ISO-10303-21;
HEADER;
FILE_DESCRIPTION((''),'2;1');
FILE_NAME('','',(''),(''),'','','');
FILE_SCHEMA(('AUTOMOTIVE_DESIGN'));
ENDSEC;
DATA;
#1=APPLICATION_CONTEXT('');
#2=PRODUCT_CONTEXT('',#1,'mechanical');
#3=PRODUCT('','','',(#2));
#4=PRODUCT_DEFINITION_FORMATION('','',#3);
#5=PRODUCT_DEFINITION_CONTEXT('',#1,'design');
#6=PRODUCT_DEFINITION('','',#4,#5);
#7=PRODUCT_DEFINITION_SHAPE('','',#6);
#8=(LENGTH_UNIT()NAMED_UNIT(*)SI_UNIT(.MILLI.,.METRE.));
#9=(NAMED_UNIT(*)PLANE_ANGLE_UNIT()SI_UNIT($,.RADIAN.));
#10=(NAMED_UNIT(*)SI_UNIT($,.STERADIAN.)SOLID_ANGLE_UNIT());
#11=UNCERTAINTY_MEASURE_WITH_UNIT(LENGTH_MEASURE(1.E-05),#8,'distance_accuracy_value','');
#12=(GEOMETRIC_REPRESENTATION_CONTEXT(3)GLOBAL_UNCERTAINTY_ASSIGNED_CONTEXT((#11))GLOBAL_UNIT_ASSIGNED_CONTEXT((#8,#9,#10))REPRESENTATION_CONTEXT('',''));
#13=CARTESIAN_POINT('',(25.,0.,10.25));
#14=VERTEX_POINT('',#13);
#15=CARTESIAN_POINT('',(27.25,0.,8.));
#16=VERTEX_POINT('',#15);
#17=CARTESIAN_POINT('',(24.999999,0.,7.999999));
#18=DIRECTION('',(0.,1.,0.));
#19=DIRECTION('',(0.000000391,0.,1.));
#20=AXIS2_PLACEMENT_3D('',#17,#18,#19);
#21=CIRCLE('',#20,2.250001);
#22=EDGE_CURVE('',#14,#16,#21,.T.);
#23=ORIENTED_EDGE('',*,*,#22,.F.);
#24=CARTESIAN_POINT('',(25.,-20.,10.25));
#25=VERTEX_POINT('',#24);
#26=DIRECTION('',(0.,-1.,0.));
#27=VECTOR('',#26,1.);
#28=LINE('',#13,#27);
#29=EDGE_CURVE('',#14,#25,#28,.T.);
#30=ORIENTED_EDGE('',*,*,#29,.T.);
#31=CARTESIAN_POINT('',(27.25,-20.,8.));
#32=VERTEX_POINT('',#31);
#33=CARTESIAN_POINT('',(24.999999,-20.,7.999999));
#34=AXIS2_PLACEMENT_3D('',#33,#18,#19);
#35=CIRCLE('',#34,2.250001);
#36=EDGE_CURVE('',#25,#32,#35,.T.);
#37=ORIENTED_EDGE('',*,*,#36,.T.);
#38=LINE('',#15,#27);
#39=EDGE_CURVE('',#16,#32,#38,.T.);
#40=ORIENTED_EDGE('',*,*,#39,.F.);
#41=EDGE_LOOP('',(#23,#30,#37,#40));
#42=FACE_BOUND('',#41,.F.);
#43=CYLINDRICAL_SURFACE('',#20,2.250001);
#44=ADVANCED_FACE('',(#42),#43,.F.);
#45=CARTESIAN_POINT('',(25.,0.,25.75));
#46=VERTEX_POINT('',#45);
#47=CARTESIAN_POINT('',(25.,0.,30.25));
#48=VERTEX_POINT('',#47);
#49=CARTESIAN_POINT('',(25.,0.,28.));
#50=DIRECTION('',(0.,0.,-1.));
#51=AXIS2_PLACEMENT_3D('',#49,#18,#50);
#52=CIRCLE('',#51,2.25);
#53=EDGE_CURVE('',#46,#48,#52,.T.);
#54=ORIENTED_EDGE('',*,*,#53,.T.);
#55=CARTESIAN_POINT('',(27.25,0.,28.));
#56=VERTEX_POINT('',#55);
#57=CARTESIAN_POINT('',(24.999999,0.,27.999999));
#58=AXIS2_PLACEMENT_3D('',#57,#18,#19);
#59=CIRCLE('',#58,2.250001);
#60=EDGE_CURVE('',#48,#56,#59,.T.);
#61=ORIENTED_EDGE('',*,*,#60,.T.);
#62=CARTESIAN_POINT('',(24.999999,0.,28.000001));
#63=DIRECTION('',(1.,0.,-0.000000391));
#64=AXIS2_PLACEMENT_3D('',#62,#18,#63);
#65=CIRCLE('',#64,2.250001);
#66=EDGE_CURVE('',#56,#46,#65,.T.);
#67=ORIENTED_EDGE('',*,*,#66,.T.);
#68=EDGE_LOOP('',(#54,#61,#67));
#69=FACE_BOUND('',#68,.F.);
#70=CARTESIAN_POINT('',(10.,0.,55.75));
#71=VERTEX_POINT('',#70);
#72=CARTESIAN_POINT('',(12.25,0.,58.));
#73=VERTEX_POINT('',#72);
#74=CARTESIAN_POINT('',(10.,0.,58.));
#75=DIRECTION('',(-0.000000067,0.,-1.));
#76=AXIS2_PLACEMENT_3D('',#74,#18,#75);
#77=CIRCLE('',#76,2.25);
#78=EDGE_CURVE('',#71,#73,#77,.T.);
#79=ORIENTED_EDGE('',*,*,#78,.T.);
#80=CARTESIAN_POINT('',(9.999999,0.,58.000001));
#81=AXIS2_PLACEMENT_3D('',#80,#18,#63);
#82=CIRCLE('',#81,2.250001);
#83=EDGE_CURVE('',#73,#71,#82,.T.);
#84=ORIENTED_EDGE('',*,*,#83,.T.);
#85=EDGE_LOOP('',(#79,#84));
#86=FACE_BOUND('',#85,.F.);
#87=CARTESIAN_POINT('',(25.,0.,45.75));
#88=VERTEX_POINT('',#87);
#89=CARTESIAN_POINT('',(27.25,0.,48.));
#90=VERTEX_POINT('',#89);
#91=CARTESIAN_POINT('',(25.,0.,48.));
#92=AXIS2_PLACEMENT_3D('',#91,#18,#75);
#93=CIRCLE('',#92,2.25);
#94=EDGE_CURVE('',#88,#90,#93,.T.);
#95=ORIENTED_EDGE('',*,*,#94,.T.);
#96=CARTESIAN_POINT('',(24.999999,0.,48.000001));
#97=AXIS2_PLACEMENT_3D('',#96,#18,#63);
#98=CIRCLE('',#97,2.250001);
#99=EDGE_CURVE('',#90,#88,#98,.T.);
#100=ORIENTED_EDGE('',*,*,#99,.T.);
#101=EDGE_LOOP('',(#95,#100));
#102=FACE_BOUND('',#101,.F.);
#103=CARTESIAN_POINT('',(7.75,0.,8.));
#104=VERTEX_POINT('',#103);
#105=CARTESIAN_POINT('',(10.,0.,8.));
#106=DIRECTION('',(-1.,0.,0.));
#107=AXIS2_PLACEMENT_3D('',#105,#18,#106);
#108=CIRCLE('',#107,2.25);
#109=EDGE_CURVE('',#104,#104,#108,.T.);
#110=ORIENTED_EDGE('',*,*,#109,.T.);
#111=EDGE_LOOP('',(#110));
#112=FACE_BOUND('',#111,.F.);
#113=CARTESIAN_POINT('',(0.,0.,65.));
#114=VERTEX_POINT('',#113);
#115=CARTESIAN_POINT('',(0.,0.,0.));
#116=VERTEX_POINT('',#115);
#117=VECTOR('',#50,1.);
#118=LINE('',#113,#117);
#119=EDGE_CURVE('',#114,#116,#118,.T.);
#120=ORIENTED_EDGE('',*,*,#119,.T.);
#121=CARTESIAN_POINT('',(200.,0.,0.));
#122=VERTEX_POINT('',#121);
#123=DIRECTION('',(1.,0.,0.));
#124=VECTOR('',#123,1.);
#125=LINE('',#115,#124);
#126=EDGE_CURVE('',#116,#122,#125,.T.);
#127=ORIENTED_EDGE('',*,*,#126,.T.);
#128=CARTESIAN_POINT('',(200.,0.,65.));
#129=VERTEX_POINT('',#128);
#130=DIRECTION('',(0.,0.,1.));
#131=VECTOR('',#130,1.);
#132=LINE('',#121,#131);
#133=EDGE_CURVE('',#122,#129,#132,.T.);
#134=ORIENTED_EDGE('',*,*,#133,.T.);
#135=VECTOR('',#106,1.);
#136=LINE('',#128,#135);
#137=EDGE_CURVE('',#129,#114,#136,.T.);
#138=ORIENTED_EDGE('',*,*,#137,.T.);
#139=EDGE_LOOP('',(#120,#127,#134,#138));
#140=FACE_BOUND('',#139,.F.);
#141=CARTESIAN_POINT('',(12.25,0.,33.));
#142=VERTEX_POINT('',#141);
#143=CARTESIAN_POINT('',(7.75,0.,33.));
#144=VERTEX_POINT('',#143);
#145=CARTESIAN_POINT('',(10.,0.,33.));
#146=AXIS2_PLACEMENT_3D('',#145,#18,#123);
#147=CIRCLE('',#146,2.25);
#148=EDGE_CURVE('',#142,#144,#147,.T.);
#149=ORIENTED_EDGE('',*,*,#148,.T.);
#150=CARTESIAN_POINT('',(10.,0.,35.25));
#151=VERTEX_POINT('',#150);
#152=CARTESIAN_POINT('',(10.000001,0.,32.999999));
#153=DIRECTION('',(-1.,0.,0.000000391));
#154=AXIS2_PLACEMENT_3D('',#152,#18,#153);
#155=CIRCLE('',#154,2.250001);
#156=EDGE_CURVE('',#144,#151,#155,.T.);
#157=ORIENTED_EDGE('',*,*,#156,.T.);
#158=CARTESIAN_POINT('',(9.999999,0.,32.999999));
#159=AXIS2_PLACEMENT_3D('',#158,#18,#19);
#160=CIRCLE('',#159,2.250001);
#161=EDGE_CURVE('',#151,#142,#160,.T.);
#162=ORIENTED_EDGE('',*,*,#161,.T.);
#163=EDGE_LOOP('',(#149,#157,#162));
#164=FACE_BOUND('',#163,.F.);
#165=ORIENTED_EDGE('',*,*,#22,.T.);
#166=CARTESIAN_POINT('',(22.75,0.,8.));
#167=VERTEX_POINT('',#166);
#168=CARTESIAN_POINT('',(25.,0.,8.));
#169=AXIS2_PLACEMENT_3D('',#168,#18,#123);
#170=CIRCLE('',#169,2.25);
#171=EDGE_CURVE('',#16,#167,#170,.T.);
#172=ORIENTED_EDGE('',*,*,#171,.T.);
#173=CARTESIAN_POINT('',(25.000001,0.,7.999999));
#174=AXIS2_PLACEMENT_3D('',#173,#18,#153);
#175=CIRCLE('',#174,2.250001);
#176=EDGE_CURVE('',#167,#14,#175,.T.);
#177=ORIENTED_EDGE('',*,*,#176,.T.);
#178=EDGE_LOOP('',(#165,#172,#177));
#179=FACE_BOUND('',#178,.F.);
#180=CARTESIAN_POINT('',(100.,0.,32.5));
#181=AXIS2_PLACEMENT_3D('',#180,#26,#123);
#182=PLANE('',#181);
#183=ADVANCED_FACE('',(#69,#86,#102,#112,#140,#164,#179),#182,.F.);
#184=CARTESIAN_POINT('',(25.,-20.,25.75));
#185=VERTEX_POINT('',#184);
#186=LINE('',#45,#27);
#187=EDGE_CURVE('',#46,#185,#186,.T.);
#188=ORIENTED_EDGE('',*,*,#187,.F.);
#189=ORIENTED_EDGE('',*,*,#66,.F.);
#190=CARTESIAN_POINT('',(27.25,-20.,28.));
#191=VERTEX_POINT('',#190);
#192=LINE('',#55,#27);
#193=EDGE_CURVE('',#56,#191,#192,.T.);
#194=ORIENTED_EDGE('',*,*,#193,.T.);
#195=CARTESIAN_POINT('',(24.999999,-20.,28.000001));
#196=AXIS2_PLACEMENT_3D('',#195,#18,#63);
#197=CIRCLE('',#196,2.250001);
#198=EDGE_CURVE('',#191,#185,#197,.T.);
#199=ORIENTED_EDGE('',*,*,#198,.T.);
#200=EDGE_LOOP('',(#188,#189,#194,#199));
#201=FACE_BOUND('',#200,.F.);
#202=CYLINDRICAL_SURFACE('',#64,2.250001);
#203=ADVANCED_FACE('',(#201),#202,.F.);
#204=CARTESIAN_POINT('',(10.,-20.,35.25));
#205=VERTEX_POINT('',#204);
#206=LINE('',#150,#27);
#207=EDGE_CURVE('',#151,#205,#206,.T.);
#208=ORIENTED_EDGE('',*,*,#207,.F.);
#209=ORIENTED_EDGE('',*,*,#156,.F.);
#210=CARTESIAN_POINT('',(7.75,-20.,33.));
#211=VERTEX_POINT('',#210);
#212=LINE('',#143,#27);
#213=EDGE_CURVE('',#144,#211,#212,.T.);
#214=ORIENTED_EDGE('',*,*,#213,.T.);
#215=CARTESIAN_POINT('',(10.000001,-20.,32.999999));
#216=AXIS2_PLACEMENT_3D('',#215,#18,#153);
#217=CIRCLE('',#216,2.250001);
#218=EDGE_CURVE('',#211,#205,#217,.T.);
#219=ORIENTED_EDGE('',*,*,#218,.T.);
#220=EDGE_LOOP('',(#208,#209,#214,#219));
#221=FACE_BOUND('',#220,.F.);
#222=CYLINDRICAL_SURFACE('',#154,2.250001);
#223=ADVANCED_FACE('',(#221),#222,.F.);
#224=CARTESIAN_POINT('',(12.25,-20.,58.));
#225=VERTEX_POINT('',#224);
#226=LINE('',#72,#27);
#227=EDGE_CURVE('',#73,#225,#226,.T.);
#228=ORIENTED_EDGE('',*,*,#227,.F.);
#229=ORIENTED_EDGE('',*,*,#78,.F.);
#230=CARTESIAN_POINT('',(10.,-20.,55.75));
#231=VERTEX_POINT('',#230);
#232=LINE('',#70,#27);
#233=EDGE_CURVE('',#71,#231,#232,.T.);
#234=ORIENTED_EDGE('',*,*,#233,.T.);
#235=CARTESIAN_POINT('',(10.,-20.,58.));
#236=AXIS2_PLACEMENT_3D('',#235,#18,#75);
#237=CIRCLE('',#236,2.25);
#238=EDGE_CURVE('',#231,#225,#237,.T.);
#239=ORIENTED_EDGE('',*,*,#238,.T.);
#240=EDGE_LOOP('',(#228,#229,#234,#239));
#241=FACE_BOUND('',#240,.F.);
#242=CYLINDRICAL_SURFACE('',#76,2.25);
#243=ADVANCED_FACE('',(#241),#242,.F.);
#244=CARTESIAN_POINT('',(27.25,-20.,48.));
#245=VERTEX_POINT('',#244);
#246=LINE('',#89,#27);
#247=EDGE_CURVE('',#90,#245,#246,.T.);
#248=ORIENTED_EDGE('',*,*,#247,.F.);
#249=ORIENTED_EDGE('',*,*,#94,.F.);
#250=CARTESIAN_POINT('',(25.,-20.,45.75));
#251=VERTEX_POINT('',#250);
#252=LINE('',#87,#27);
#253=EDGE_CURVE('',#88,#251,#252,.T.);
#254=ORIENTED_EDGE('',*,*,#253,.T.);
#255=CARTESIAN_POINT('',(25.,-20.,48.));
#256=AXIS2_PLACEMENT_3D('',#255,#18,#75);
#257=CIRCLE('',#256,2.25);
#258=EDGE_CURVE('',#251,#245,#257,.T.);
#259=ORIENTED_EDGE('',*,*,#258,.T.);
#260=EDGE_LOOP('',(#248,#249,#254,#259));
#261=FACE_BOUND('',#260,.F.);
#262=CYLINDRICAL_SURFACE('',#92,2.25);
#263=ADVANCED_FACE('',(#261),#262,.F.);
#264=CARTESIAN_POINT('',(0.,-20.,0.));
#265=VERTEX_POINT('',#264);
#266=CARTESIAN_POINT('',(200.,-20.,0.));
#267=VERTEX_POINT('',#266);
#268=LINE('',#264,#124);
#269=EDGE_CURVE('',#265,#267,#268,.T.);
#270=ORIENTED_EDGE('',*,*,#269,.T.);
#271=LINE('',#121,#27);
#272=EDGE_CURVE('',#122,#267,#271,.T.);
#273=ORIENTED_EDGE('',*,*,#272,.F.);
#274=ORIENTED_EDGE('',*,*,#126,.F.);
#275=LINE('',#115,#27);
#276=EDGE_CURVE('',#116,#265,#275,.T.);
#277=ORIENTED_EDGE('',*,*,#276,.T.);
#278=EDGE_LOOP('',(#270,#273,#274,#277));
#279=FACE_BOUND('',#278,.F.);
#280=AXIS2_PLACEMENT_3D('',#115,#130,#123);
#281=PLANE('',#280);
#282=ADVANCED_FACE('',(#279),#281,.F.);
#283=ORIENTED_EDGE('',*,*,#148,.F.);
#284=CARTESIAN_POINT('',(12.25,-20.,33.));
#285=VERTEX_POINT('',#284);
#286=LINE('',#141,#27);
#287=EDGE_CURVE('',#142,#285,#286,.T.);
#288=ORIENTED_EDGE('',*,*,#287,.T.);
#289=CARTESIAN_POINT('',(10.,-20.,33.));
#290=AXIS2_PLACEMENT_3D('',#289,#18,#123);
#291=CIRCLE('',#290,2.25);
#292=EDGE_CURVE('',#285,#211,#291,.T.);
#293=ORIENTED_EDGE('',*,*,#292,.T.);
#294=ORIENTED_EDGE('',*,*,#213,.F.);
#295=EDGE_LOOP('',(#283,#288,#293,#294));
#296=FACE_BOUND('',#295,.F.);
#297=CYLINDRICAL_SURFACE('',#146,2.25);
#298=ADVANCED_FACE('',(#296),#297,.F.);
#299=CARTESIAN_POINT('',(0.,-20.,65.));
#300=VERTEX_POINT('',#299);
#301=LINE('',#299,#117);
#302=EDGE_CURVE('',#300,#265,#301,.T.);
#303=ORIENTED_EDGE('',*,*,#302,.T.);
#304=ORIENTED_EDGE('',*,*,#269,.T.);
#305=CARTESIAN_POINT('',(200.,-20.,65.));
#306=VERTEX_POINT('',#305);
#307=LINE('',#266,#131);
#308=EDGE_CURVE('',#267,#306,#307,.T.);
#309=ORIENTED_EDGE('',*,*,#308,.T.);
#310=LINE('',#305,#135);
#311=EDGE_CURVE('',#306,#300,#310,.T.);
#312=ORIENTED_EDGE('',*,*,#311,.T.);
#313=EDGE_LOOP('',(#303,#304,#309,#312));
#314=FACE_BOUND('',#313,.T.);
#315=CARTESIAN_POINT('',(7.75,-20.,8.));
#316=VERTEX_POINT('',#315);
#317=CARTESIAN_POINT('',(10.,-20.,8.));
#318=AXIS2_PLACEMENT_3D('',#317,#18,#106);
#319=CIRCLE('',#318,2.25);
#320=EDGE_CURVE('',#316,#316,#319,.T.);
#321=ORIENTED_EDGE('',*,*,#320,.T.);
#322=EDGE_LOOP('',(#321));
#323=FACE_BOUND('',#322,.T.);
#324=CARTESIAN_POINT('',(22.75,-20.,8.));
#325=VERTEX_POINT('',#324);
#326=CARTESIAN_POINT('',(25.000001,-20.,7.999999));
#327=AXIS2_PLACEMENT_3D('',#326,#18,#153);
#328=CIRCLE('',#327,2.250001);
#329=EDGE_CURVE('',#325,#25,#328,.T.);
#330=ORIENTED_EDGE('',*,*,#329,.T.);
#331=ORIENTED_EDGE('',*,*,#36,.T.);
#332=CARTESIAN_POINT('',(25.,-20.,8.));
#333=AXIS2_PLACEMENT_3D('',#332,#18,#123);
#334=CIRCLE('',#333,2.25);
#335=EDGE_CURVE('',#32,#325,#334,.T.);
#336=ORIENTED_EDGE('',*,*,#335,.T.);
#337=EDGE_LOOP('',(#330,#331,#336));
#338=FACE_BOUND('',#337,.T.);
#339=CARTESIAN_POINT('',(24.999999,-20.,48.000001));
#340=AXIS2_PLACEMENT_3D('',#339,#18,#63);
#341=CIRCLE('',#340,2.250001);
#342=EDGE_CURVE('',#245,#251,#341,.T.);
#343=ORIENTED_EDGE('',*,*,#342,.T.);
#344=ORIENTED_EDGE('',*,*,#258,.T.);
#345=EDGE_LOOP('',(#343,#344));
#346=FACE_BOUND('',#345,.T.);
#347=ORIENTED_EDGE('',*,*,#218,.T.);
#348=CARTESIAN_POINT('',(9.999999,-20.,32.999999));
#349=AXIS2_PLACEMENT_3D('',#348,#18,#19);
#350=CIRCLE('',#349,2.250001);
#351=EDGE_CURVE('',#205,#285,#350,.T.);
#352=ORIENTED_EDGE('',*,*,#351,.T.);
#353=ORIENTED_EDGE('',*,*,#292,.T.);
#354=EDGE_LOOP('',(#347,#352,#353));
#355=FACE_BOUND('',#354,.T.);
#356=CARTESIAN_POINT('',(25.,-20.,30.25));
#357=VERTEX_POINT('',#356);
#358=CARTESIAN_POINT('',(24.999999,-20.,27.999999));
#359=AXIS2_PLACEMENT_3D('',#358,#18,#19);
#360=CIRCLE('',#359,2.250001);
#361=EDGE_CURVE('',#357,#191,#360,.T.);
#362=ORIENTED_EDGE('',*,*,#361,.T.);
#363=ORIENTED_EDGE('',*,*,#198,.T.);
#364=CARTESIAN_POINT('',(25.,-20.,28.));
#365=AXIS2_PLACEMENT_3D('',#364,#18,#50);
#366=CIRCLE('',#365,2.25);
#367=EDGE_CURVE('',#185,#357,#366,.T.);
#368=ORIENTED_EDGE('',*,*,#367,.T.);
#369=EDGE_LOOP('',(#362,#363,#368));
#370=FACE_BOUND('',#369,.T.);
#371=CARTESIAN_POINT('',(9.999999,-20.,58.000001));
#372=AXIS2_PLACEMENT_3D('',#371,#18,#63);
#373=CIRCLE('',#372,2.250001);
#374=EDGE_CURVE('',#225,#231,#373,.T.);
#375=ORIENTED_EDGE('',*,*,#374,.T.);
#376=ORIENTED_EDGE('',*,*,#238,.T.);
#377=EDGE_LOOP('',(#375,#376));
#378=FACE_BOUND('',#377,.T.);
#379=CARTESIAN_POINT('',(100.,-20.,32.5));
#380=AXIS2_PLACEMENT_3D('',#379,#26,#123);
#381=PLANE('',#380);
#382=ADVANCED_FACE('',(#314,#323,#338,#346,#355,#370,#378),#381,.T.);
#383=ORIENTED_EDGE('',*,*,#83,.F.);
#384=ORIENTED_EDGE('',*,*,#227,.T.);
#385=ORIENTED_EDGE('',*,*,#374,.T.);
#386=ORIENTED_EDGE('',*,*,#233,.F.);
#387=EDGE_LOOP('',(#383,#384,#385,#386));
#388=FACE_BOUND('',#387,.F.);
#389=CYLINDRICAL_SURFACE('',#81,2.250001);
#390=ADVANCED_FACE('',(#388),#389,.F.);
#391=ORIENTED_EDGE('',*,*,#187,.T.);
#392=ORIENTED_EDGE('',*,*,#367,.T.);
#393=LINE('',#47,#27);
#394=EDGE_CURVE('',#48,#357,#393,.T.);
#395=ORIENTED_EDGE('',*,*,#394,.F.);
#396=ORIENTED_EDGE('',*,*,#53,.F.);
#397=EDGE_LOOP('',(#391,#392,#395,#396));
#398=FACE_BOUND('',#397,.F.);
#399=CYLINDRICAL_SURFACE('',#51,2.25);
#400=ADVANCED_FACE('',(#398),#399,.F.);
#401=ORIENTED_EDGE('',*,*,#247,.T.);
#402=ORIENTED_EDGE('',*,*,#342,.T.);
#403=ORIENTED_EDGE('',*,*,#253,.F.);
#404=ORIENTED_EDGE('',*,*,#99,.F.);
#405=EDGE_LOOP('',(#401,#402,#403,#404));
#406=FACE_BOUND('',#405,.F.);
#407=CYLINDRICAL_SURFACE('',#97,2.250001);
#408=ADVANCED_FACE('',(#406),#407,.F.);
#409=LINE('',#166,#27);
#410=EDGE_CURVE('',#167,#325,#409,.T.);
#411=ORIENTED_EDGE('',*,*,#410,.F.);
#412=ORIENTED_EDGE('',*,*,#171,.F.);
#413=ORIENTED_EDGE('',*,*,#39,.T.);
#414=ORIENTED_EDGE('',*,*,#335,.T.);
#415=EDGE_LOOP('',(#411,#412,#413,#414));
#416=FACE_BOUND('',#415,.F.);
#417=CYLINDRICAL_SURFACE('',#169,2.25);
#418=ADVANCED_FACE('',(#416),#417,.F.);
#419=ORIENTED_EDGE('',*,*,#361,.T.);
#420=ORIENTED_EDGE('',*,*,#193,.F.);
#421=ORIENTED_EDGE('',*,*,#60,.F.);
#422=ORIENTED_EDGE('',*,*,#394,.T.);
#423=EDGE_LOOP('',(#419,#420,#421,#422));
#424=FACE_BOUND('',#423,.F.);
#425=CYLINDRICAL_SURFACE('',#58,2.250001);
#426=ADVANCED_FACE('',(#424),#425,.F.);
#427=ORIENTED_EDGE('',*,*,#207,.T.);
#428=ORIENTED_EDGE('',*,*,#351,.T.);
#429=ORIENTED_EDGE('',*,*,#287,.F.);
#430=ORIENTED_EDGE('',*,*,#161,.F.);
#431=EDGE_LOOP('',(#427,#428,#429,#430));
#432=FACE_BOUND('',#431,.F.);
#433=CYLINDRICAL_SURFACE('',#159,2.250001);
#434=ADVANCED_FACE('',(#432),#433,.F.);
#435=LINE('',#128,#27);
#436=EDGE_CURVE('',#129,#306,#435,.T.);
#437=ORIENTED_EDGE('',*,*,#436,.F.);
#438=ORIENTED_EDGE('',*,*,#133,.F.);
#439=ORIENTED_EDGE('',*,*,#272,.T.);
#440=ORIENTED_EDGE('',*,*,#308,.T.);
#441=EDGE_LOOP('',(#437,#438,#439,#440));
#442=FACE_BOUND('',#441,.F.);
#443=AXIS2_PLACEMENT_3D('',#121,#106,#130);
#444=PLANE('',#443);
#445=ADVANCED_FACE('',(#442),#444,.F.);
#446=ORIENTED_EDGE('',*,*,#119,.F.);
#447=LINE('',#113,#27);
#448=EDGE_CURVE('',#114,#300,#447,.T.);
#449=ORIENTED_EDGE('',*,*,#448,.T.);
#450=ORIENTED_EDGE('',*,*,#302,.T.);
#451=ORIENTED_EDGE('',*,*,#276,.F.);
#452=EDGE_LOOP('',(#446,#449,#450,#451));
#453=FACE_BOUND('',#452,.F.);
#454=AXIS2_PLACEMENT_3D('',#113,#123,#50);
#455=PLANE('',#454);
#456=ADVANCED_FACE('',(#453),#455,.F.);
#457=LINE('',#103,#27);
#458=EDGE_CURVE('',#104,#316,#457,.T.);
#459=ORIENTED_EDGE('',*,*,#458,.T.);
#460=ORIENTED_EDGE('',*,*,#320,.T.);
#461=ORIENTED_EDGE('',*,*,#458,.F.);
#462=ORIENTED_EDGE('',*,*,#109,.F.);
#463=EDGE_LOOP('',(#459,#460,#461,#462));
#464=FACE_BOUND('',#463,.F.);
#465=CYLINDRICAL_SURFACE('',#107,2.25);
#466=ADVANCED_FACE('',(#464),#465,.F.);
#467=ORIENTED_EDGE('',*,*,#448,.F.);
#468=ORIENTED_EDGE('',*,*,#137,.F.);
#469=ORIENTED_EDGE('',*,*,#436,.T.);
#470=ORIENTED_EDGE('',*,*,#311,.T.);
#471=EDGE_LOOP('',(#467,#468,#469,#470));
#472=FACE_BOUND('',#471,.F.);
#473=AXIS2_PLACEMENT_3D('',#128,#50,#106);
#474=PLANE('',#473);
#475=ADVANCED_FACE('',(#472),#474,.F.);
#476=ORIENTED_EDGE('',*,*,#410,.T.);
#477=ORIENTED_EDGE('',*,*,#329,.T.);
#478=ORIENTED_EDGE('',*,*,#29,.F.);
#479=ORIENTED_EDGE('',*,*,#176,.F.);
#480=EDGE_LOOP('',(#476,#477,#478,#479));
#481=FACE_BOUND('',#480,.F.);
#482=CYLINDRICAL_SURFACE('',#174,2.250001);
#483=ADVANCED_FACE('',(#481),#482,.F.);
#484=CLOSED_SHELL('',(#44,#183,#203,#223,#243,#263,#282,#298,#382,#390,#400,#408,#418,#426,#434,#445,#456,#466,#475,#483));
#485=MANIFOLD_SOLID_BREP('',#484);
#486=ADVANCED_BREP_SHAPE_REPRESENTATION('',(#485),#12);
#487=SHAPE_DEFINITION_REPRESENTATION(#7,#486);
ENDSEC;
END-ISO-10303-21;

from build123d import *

# Parameters (mm, degrees)
F1_DEPTH = 20


with BuildPart() as f1:
    # F0 (on Front) → F1 (new body)
    with BuildSketch(Plane.XZ):
        Polygon((0, 8), (0, 0), (200, 0), (200, 65), (0, 65), (0, 33), align=None)
        with BuildLine():
            ThreePointArc((12.25, 8), (10, 5.75), (7.75, 8))
            ThreePointArc((7.75, 8), (10, 10.25), (12.25, 8))
        make_face(mode=Mode.SUBTRACT)
        with BuildLine():
            ThreePointArc((27.25, 8), (25, 5.75), (22.75, 8))
            ThreePointArc((22.75, 8), (23.40901, 9.59099), (25, 10.25))
            ThreePointArc((25, 10.25), (26.59099, 9.59099), (27.25, 8))
        make_face(mode=Mode.SUBTRACT)
        with BuildLine():
            ThreePointArc((27.25, 28), (26.59099, 26.40901), (25, 25.75))
            ThreePointArc((25, 25.75), (22.75, 28), (25, 30.25))
            ThreePointArc((25, 30.25), (26.59099, 29.59099), (27.25, 28))
        make_face(mode=Mode.SUBTRACT)
        with BuildLine():
            ThreePointArc((12.25, 33), (10, 30.75), (7.75, 33))
            ThreePointArc((7.75, 33), (8.40901, 34.59099), (10, 35.25))
            ThreePointArc((10, 35.25), (11.59099, 34.59099), (12.25, 33))
        make_face(mode=Mode.SUBTRACT)
        with BuildLine():
            ThreePointArc((27.25, 48), (26.59099, 46.40901), (25, 45.75))
            ThreePointArc((25, 45.75), (23.40901, 49.59099), (27.25, 48))
        make_face(mode=Mode.SUBTRACT)
        with BuildLine():
            ThreePointArc((12.25, 58), (11.59099, 56.40901), (10, 55.75))
            ThreePointArc((10, 55.75), (8.40901, 59.59099), (12.25, 58))
        make_face(mode=Mode.SUBTRACT)
    extrude(amount=F1_DEPTH)


solid = f1.part
